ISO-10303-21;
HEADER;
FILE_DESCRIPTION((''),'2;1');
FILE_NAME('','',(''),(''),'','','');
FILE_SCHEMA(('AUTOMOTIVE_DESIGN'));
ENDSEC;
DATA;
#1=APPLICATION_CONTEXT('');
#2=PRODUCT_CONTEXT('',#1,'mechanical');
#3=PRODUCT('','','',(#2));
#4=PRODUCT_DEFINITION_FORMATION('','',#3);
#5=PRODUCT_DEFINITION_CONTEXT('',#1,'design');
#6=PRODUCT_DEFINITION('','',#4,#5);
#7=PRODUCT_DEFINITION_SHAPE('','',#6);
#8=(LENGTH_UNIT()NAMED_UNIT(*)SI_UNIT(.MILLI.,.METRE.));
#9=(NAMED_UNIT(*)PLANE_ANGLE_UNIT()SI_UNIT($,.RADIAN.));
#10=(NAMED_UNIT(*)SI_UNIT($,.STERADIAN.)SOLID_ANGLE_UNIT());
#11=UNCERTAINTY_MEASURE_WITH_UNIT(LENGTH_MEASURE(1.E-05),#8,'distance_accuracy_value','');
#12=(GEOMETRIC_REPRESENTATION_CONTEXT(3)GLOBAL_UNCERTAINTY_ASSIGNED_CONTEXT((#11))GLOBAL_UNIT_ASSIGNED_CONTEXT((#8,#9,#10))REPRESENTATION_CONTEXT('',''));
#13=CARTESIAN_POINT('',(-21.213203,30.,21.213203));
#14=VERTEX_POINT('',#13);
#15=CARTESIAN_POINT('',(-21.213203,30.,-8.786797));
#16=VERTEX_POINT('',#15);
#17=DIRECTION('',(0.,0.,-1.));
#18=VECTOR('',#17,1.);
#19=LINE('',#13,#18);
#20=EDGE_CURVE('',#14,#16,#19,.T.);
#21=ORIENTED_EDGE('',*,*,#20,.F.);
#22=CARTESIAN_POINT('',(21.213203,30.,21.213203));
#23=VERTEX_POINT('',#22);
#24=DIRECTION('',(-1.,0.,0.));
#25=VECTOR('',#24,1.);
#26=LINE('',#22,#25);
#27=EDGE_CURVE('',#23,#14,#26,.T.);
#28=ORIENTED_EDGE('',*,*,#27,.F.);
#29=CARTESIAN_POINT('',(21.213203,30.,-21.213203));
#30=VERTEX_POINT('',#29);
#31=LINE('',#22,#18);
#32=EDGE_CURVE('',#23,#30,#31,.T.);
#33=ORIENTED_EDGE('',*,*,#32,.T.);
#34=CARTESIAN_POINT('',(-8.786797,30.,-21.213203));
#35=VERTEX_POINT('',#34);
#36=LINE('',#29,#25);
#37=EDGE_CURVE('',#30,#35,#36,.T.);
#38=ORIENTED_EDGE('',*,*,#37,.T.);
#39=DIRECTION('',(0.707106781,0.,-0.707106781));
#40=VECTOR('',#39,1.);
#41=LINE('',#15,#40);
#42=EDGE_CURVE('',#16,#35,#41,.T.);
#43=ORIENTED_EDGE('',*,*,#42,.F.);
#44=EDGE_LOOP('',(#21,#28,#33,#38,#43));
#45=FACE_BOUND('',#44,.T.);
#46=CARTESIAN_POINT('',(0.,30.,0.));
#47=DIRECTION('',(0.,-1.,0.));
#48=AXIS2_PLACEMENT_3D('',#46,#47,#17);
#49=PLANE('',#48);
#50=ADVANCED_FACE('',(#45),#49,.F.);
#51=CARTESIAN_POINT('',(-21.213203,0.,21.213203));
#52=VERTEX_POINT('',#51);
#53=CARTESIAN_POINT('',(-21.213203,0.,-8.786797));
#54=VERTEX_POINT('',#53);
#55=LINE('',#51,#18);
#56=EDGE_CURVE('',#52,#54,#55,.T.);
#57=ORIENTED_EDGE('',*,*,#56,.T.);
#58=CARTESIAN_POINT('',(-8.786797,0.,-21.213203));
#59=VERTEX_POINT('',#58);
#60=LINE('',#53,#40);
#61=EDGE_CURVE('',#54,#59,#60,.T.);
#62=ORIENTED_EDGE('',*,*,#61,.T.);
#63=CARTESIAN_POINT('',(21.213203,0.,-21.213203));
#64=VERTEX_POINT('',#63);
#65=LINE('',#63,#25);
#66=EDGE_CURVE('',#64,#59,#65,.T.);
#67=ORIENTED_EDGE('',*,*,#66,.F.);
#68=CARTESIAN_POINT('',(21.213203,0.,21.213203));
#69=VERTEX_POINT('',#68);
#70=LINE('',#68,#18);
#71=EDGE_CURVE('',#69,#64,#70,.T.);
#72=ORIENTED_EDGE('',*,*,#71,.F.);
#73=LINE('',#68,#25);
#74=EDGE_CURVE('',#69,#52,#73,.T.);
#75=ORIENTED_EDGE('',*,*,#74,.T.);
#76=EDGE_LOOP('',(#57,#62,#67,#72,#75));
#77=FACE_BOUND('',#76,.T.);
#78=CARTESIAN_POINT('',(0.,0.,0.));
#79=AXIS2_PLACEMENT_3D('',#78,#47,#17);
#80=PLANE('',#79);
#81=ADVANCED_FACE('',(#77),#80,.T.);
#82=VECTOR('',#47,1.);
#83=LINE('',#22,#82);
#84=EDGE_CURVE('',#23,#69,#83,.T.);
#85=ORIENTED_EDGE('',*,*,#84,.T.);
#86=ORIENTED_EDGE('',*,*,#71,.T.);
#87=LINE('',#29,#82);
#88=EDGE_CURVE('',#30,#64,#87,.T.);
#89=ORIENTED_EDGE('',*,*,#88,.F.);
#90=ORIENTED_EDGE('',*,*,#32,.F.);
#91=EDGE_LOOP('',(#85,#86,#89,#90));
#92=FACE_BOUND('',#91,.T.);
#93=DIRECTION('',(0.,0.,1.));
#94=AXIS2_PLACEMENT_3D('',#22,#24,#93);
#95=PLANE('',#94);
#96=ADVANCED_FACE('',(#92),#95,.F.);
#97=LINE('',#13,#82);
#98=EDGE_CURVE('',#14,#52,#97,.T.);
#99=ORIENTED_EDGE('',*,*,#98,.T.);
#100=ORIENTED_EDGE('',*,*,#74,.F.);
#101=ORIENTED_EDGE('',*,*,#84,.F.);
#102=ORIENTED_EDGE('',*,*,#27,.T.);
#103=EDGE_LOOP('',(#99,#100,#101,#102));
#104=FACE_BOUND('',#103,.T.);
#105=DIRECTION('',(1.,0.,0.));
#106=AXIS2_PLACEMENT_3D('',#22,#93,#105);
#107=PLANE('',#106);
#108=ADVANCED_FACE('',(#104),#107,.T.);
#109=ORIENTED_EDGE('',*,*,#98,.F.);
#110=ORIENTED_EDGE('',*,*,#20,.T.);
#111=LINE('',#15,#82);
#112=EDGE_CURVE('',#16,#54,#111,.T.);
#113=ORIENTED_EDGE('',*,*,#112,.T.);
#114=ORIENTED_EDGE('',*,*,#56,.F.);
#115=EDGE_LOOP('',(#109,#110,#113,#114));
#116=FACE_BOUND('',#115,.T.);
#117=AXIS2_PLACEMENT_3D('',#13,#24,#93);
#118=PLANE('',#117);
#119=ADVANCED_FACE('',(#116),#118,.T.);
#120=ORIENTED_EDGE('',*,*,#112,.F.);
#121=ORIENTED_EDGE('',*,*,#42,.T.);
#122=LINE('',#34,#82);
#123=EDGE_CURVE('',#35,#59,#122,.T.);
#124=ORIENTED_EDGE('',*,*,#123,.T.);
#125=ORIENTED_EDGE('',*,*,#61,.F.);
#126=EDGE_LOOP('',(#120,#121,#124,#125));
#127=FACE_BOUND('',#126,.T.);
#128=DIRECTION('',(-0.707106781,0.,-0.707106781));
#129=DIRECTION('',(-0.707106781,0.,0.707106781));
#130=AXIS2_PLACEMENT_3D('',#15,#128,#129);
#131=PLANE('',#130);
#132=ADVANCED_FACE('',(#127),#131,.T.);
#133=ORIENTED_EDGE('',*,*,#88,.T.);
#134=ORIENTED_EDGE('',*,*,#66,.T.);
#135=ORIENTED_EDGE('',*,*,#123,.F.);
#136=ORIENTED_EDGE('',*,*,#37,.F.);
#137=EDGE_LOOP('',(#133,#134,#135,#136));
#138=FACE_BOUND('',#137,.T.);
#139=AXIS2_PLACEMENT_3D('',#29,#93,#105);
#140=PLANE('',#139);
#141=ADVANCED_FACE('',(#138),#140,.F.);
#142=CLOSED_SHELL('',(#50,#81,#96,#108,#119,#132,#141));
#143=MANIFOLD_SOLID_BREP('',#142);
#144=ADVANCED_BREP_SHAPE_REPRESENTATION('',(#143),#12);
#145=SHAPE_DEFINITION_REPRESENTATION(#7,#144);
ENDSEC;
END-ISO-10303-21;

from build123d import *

# Parameters (mm, degrees)
SKETCH6_W           = 42.426406872
SKETCH6_H           = 42.426406872
BOSS_EXTRUDE4_DEPTH = 30
CUT_EXTRUDE2_DEPTH  = 43.426406871


with BuildPart() as part:
    # Sketch6 → Boss-Extrude4 (new body)
    with BuildSketch(Plane(origin=(0, 0, 0), x_dir=(1, 0, 0), z_dir=(0, 1, 0))):
        Rectangle(SKETCH6_W, SKETCH6_H)
    extrude(amount=BOSS_EXTRUDE4_DEPTH)

    # Sketch7 → Cut-Extrude2 (cut, through all)
    with BuildSketch(Plane.XZ):
        Polygon((-21.213203436, -8.786796564), (-8.786796564, -21.213203436), (-21.213203436, -21.213203436), align=None)
    extrude(amount=-CUT_EXTRUDE2_DEPTH, mode=Mode.SUBTRACT)


solid = part.part
